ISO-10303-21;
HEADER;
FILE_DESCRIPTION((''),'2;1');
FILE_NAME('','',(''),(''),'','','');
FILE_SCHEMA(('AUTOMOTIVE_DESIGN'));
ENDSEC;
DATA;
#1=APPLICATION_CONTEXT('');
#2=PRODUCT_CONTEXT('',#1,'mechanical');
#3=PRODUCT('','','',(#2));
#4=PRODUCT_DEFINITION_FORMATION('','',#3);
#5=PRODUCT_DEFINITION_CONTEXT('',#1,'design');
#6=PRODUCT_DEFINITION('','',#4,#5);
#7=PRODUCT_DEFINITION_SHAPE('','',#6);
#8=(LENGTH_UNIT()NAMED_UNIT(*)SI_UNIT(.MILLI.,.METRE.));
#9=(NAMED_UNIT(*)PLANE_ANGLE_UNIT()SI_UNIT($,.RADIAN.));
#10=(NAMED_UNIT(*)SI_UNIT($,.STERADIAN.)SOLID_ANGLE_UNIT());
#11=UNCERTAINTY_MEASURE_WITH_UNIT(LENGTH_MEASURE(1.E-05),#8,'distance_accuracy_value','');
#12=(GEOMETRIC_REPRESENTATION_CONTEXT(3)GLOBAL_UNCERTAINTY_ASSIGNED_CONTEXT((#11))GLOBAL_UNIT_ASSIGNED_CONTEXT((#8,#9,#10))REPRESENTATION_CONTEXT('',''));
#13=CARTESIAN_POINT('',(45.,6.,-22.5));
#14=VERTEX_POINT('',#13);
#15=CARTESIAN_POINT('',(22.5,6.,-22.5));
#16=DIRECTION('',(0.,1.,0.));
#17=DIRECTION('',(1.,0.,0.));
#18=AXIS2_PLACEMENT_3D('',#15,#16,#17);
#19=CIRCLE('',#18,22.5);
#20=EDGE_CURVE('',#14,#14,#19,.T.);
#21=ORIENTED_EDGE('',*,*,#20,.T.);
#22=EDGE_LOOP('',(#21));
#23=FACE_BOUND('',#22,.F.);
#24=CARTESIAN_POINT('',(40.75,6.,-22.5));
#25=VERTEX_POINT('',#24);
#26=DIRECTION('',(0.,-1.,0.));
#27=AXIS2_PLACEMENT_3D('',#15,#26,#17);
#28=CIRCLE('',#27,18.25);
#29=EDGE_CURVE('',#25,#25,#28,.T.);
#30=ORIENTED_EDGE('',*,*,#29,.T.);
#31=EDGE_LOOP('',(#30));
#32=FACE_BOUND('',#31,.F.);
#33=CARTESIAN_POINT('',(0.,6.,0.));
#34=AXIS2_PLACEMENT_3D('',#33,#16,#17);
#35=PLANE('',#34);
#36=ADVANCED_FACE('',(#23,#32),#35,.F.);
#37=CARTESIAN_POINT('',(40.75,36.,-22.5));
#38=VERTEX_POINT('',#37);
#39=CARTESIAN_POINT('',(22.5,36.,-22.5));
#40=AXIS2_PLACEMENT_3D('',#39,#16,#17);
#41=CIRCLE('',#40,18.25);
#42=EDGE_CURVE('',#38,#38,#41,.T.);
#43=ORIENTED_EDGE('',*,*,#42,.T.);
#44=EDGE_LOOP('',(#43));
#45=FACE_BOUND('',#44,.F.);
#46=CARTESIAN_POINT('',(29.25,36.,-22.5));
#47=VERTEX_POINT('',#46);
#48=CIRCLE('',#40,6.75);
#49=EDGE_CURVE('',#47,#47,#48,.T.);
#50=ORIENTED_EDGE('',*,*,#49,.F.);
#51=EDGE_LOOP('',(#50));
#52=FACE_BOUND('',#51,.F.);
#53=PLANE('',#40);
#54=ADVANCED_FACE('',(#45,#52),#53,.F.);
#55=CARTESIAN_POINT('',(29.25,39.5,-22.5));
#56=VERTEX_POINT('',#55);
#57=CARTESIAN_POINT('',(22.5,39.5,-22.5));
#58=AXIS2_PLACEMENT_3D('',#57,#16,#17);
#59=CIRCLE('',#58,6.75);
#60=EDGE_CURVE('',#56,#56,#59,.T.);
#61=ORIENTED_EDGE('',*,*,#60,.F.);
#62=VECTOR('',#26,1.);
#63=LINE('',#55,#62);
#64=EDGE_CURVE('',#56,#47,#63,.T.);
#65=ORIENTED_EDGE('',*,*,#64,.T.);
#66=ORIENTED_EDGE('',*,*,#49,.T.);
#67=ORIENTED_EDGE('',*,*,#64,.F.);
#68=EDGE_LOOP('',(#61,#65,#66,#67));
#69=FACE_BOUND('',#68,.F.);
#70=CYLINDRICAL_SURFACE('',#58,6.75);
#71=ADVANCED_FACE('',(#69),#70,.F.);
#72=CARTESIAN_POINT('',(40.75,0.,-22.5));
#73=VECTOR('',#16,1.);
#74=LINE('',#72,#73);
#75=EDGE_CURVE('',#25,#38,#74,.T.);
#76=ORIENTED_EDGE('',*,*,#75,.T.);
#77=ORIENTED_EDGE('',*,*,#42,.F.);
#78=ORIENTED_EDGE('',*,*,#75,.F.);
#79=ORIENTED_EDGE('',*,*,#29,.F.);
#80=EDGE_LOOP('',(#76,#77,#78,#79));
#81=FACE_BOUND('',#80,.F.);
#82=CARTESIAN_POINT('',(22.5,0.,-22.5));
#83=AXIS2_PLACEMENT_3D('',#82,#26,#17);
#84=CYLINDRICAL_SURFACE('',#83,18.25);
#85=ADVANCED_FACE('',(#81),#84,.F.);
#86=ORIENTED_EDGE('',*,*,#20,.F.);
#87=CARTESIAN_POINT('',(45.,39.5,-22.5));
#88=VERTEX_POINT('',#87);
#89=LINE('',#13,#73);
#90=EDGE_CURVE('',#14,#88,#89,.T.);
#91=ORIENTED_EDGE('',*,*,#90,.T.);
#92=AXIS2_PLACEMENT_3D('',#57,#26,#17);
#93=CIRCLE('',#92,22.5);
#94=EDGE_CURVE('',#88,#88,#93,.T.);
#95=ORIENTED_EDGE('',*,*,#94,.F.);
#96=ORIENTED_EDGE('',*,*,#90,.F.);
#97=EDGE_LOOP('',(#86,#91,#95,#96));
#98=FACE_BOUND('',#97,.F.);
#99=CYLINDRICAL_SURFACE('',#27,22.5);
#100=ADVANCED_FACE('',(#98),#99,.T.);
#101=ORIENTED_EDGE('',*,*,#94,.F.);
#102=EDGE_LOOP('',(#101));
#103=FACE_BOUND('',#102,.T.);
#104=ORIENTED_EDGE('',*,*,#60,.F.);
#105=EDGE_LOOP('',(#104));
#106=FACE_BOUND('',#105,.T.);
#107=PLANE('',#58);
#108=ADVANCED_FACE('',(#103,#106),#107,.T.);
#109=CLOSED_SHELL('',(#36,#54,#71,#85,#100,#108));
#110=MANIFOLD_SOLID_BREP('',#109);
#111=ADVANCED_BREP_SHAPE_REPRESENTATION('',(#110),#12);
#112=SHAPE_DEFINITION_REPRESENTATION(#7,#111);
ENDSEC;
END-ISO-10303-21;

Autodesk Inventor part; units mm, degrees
ref_plane "YZ Plane" through (0, 0, 0) normal (1, 0, 0) x (0, 1, 0)
ref_plane "XZ Plane" through (0, 0, 0) normal (0, 1, 0) x (-1, 0, 0)
ref_plane "XY Plane" through (0, 0, 0) normal (0, 0, 1) x (1, 0, 0)
ref_plane "Work Plane3" through (0, 6, 0) normal (0, 1, 0) x (1, 0, 0)
sketch "Sketch2" plane through (0, 6, 0) normal (0, 1, 0) x (1, 0, 0)
  line L0 (0, 0) -> (0, 22.5)
  line L1 (0, 45) -> (0, 0) projected
  line L2 (0, 22.5) -> (22.5, 22.5)
  circle A0 centre (22.5, 22.5) radius 22.5
  dimension "d5" = 22.5
  dimension "d6" = 22.5
  dimension "d7" = 45
extrude "Extrusion2" add sketch "Sketch2" along normal blind 33.5
ref_plane "Work Plane2" through (0, 0, 0) normal (0, -1, 0) x (1, 0, 0)
sketch "Sketch3" plane through (0, 0, 0) normal (0, -1, 0) x (1, 0, 0)
  line L0 (0, -45) -> (0, 0) projected
  line L1 (0, 0) -> (0, -22.5)
  circle A0 centre (22.5, -22.5) radius 18.25
  dimension "d12" = 36.5
extrude "Extrusion3" cut sketch "Sketch3" against normal blind 65
sketch "Sketch4" plane through (22.5, 39.5, -22.5) normal (0, 1, 0) x (1, 0, 0)
  circle A0 centre (0, 0) radius 6.75
  point P0 (-22.5, -22.5)
  dimension "d15" = 13.5
extrude "Extrusion4" cut sketch "Sketch4" against normal blind 4.5
ref_plane "Work Plane1" through (0, 0, 0) normal (0, -1, 0) x (1, 0, 0)
sketch "Sketch5" plane through (0, 0, 0) normal (0, -1, 0) x (1, 0, 0)
  line L0 (0, -45) -> (0, 0) projected
  line L1 (0, 0) -> (22.5, 0)
  line L2 (0, 0) -> (45, 0) projected
sketch "Sketch6" plane through (22.5, 39.5, -22.5) normal (0, 1, 0) x (1, 0, 0)
  point P0 (-22.5, -22.5)
sketch "Sketch7" plane through (22.5, 39.5, -22.5) normal (0, 1, 0) x (1, 0, 0)
  circle A0 centre (0, 0) radius 18.25 projected
  circle A1 centre (0, 0) radius 18.25
  point P0 (-22.5, -22.5)
extrude "Extrusion5" add sketch "Sketch7" against normal blind 3.5
sketch "Sketch8" plane through (22.5, 39.5, -22.5) normal (0, 1, 0) x (1, 0, 0)
  circle A0 centre (0, 0) radius 6.75
  point P0 (-22.5, -22.5)
  dimension "d20" = 13.5
extrude "Extrusion6" cut sketch "Sketch8" against normal blind 3.5
sketch "Sketch9" plane through (22.5, 6, -22.5) normal (0, -1, 0) x (1, 0, 0)
  point P0 (-22.5, 22.5)
sketch "Sketch10" plane through (22.5, 39.5, -22.5) normal (0, 1, 0) x (1, 0, 0)
  point P0 (-22.5, -22.5)
sketch "Sketch11" plane through (22.5, 6, -22.5) normal (0, -1, 0) x (1, 0, 0)
  circle A0 centre (0, 0) radius 22.5 projected
  line L0 (0, 29) -> (32.5, 29)
  line L1 (32.5, 29) -> (32.5, -29)
  line L2 (32.5, -29) -> (-32.5, -29)
  line L3 (0, 29) -> (-32.5, 29)
  point P0 (-22.5, 22.5)
  dimension "d25" = 58
  dimension "d26" = 65
  dimension "d27" = 32.5
